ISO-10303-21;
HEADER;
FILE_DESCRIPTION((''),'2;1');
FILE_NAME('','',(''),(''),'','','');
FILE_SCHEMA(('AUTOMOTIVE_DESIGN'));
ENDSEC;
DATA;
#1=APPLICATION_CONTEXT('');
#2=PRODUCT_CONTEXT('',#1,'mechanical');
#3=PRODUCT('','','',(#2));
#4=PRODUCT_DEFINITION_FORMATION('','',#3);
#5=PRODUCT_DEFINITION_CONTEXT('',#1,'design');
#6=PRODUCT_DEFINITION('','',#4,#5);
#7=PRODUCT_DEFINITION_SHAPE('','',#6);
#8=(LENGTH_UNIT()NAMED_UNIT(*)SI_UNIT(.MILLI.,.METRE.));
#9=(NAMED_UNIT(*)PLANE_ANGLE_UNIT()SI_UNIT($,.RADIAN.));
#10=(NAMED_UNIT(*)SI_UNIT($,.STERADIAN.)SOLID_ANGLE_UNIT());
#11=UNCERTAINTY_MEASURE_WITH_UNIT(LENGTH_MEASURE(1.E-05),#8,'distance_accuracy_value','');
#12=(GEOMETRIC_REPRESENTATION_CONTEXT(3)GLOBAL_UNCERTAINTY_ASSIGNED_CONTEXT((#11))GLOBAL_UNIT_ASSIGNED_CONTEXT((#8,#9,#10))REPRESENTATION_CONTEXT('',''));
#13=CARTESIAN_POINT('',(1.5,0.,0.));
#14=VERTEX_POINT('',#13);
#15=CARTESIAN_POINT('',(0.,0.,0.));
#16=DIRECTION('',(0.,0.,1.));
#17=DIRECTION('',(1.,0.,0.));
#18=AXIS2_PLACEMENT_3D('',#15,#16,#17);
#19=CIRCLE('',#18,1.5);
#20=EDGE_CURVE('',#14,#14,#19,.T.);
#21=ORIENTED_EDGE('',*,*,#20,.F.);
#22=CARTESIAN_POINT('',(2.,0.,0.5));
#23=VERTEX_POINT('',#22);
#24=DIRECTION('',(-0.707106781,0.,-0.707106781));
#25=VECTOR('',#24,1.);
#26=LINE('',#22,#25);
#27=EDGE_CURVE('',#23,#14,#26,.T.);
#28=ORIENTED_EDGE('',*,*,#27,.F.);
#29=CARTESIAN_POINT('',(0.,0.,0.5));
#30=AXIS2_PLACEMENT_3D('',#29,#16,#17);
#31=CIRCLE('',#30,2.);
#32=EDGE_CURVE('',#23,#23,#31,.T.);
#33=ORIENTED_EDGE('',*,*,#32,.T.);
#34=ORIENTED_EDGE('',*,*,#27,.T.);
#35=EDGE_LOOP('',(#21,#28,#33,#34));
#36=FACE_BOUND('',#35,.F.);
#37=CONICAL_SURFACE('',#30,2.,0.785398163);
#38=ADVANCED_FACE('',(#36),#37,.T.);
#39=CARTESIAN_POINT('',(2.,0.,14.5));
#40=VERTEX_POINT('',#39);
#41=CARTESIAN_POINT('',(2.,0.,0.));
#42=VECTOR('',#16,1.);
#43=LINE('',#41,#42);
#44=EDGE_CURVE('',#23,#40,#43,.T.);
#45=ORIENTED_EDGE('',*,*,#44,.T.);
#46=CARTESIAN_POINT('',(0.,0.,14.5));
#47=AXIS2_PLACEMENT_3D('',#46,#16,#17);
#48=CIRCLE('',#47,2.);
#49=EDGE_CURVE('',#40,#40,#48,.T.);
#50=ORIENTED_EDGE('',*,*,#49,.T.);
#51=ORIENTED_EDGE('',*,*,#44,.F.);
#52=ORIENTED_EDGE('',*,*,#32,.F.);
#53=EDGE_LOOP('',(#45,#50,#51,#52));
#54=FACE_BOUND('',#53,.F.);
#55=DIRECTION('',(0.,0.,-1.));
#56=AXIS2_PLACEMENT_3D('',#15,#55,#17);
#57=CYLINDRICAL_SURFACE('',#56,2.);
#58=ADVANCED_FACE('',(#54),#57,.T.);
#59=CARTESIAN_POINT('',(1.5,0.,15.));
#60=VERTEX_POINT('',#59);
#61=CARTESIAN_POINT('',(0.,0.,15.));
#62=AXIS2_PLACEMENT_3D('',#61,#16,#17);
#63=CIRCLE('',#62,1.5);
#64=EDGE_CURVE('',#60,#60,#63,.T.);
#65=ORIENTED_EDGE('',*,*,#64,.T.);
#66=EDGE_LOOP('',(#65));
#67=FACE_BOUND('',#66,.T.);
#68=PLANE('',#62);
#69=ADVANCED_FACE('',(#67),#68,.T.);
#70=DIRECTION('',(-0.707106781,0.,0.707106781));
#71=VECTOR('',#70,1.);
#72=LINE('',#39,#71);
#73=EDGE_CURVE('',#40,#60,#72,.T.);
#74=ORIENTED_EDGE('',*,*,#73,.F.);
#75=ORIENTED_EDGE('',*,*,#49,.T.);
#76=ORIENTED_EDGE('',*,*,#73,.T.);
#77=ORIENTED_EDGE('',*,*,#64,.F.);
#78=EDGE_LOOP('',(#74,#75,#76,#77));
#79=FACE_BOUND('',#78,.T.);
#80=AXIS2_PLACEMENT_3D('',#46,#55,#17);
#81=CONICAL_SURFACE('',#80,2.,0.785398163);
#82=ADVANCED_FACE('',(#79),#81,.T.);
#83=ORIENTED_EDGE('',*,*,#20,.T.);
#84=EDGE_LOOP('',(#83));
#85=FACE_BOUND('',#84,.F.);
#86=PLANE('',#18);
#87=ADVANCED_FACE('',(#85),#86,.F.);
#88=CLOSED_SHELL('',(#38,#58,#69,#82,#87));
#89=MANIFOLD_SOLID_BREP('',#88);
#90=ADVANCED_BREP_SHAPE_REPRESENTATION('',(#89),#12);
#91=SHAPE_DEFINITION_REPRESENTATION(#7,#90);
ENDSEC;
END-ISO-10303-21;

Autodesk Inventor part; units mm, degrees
ref_plane "YZ Plane" through (0, 0, 0) normal (1, 0, 0) x (0, 1, 0)
ref_plane "XZ Plane" through (0, 0, 0) normal (0, 1, 0) x (-1, 0, 0)
ref_plane "XY Plane" through (0, 0, 0) normal (0, 0, 1) x (1, 0, 0)
ref_plane "Work Plane1" through (0, 0, 0) normal (0, 0, 1) x (1, 0, 0)
sketch "Sketch1" plane through (0, 0, 0) normal (0, 0, 1) x (1, 0, 0)
  circle A0 centre (0, 0) radius 2
  dimension "d0" = 4
extrude "Extrusion1" add sketch "Sketch1" along normal blind 15
chamfer "Chamfer1" distance 0.5 angle 45 2 edges at (-2, 0, 15) (-2, 0, 0)
properties part number "pin 4"
